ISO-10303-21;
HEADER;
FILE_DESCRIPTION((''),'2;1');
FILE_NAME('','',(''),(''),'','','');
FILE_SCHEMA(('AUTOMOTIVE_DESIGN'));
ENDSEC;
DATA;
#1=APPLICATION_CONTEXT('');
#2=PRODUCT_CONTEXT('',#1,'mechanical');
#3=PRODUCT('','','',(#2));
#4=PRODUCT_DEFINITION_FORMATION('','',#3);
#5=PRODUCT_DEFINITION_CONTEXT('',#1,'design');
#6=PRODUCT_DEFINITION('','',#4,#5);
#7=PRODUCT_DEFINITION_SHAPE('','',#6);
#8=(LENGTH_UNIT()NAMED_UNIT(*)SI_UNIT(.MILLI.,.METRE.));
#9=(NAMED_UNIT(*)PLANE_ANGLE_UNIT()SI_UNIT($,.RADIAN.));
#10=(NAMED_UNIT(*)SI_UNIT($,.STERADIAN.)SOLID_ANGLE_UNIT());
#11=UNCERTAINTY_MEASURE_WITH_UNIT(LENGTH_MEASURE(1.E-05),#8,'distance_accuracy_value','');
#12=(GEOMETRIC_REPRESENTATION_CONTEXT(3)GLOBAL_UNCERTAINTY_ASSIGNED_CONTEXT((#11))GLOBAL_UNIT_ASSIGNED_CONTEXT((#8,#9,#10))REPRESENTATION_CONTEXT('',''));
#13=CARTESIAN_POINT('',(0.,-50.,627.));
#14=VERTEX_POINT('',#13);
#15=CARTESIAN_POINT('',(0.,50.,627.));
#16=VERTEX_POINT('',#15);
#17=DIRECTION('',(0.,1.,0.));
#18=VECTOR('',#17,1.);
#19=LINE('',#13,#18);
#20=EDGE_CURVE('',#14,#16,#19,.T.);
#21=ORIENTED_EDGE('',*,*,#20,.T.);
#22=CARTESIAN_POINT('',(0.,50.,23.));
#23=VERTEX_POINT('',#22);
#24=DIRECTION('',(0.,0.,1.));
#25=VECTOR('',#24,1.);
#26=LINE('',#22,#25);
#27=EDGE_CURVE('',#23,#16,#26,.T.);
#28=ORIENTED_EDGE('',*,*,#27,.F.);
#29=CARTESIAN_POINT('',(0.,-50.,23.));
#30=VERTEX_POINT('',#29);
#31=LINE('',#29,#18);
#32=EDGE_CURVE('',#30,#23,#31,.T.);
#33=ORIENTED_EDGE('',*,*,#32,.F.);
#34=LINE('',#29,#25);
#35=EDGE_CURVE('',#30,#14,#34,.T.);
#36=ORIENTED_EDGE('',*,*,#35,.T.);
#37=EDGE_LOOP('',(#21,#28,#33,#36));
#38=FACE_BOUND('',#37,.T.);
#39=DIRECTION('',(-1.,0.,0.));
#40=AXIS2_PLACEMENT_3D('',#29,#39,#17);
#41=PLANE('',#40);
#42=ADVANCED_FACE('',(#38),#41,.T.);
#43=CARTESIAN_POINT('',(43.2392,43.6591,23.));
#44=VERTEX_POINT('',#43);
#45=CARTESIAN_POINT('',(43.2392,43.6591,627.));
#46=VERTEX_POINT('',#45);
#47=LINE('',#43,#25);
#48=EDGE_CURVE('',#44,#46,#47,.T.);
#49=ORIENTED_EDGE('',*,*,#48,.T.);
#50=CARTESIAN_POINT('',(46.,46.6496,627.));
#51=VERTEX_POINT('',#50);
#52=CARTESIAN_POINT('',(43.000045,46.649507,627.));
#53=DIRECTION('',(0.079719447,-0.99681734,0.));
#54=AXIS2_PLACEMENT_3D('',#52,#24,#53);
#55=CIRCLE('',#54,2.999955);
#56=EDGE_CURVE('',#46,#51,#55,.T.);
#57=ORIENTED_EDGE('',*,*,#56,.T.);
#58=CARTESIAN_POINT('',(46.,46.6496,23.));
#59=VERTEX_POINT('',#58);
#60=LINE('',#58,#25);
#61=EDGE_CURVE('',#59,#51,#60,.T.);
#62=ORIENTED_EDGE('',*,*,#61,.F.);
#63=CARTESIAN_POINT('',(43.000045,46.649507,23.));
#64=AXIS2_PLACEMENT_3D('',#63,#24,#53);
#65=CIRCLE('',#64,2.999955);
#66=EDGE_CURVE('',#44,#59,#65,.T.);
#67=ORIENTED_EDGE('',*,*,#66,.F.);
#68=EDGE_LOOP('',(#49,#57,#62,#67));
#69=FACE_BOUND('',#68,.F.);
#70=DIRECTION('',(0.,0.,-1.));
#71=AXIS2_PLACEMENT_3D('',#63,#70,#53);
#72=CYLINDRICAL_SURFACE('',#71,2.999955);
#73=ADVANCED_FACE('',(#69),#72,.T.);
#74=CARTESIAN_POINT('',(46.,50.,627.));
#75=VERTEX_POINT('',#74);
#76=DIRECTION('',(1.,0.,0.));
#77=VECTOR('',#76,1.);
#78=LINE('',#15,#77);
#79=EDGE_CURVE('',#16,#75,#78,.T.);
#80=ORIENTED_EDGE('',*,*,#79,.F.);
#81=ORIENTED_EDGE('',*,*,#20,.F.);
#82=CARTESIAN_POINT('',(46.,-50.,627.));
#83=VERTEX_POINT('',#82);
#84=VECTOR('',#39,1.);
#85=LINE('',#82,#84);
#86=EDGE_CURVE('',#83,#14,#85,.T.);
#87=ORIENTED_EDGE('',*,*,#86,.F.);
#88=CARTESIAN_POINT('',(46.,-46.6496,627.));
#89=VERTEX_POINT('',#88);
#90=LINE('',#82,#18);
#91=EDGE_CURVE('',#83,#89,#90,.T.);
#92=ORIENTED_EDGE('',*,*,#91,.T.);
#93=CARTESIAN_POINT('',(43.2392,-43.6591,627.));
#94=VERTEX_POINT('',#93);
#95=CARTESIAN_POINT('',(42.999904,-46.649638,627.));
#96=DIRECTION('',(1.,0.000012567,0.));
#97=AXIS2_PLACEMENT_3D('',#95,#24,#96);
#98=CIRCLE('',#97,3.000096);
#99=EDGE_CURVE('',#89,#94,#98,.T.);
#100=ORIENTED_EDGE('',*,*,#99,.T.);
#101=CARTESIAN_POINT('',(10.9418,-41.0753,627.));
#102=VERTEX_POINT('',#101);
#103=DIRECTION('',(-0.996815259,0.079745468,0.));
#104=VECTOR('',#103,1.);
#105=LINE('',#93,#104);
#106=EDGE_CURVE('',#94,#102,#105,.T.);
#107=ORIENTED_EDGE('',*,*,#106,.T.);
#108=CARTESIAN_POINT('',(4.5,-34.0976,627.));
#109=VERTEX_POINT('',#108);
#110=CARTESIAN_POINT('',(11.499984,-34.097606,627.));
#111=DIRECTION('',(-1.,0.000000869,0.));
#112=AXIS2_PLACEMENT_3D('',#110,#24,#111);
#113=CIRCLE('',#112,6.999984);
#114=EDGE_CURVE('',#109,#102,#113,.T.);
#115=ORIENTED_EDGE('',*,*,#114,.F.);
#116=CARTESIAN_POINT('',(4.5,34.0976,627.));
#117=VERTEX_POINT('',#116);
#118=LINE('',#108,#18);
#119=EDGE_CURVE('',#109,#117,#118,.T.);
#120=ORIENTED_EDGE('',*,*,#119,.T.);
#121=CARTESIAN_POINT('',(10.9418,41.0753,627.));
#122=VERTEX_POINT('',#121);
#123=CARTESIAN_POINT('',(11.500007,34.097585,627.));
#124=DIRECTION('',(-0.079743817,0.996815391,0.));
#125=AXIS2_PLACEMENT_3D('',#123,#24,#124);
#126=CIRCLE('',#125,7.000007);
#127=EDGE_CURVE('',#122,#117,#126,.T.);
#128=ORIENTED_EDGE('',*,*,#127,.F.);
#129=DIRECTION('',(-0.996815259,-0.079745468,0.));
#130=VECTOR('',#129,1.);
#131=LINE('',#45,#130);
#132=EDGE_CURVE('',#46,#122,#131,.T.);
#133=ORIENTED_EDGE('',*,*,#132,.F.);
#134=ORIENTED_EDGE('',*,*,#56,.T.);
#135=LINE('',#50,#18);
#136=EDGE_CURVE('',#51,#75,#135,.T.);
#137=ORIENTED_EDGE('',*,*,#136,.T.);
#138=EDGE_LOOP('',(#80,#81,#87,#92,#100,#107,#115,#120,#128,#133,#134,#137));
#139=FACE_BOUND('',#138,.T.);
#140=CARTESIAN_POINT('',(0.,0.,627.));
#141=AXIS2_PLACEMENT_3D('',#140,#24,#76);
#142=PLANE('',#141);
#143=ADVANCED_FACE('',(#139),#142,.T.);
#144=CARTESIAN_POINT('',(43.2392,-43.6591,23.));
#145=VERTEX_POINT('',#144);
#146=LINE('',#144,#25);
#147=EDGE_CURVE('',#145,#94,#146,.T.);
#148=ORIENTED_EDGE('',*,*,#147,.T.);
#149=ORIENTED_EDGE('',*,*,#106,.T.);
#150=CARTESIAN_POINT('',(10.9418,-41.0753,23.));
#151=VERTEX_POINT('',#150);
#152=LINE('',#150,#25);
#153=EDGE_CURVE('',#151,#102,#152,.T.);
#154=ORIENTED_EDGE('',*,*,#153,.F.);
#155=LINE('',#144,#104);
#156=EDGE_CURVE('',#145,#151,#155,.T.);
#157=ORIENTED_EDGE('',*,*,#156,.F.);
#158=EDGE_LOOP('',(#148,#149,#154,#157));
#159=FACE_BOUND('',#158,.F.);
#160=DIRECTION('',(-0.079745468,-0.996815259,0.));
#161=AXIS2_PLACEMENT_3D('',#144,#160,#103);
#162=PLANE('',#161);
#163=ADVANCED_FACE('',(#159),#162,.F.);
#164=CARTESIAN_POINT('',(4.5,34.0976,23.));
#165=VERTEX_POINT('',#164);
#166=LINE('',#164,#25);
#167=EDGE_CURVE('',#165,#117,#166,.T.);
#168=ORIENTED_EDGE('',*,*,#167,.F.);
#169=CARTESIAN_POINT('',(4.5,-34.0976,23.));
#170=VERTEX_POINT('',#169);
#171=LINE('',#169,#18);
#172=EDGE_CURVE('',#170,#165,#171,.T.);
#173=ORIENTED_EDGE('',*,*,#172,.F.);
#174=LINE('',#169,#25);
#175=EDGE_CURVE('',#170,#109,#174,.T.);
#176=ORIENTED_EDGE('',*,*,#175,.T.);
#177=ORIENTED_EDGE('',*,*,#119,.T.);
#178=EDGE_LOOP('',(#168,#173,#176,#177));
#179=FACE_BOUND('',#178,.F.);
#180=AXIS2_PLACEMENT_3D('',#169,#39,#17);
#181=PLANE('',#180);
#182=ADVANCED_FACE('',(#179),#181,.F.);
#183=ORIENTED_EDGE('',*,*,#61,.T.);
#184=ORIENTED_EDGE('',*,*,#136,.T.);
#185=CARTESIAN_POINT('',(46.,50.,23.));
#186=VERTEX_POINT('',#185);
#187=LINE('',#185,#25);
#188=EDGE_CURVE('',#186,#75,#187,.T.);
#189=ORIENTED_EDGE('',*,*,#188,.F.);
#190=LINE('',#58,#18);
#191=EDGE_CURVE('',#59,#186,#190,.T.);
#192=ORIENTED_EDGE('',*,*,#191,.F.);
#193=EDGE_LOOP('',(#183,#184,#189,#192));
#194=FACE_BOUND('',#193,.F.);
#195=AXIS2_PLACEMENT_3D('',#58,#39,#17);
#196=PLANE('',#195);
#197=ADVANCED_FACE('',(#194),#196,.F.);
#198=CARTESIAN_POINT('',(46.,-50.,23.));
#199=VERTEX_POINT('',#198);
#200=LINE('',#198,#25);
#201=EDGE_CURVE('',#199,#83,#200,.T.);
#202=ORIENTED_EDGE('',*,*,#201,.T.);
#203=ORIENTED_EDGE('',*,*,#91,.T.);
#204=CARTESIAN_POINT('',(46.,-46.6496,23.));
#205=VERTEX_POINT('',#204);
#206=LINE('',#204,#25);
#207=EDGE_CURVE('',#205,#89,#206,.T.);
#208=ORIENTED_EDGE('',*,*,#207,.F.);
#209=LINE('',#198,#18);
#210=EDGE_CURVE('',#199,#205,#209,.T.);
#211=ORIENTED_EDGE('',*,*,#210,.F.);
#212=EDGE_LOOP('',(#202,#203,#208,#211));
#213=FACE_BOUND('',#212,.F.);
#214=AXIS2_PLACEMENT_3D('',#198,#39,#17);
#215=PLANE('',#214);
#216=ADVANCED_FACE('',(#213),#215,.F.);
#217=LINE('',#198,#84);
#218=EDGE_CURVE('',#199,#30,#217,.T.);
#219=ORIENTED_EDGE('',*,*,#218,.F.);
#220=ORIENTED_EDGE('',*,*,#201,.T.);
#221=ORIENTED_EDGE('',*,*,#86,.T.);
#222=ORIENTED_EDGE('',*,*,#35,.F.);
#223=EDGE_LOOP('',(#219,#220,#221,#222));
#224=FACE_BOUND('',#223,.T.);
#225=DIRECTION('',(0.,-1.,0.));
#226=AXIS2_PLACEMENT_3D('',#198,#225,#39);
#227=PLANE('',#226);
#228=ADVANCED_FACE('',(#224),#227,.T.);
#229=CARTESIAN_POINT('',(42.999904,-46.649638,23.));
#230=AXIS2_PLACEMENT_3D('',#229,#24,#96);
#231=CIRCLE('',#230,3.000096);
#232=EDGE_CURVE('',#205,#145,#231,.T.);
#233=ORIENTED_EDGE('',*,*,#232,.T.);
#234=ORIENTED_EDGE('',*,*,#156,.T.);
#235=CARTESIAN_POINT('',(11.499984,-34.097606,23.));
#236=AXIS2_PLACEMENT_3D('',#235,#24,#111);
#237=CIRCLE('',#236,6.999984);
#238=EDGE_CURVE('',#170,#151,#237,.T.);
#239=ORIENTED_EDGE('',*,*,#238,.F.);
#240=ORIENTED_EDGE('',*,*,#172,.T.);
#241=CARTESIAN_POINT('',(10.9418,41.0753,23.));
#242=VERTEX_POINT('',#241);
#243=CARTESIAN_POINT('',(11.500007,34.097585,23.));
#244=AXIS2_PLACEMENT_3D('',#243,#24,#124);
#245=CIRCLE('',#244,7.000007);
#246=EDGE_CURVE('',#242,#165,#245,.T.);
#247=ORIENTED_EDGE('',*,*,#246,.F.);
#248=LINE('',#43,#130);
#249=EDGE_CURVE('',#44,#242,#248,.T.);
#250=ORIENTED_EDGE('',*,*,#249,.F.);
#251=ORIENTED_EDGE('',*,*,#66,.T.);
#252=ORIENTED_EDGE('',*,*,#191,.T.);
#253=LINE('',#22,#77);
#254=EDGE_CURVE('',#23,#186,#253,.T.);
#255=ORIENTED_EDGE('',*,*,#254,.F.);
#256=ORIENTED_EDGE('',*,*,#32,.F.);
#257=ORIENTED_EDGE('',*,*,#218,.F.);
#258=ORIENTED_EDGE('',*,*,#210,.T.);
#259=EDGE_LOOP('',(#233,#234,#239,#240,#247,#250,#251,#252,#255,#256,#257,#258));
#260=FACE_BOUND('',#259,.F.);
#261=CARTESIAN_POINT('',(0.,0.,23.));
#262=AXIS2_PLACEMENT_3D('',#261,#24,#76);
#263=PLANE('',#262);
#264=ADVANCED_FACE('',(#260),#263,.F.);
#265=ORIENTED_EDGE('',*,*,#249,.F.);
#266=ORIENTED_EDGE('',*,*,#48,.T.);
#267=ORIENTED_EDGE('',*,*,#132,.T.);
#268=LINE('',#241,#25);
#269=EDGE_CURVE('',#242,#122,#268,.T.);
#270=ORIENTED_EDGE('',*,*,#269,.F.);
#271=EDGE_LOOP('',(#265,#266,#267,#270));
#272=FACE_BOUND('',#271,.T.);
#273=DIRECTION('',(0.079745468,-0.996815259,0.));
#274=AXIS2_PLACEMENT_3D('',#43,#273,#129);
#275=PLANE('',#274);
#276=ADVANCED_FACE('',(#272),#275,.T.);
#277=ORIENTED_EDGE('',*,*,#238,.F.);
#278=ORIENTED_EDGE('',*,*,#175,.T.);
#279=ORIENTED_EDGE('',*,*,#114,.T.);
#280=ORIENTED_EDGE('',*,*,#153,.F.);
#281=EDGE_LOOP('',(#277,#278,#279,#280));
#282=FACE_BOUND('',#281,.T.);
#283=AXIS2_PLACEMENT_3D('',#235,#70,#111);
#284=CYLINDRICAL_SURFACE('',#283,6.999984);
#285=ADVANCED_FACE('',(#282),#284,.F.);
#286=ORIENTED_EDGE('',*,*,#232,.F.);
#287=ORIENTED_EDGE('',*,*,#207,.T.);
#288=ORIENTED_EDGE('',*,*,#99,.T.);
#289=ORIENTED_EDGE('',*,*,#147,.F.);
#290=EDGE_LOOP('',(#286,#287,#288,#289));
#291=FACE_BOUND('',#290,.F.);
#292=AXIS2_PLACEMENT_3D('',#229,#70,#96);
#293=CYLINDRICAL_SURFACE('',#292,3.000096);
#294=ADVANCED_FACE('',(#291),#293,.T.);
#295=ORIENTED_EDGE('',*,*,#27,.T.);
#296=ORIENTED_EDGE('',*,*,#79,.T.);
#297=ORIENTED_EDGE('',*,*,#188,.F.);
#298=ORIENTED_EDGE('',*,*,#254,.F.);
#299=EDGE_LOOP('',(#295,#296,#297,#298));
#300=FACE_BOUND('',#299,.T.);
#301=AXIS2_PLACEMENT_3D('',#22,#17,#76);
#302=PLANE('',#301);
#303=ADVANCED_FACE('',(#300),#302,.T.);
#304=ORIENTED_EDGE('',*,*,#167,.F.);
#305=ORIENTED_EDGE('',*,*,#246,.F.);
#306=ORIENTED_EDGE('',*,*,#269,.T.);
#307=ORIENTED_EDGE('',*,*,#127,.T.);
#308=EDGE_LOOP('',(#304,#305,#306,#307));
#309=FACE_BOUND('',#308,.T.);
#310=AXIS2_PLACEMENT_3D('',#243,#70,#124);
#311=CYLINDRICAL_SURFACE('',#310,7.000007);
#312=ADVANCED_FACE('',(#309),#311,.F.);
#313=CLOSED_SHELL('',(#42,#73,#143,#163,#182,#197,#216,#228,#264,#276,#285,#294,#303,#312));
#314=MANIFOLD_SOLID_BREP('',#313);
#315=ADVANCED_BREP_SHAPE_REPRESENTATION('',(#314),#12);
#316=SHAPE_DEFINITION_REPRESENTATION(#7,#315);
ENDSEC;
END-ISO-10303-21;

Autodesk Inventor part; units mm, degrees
ref_plane "Начальная плоскость" through (0, 0, 23) normal (0, 0, 1) x (1, 0, 0)
ref_plane "Конечная плоскость" through (0, 0, 627) normal (0, 0, 1) x (1, 0, 0)
sketch "Эскиз" plane through (0, 0, 0) normal (0, 0, 1) x (1, 0, 0)
  line L0 (46, -50) -> (0, -50)
  line L1 (46, -50) -> (46, -46.6496)
  line L2 (43.2392, -43.6591) -> (10.9418, -41.0753)
  line L3 (4.5, -34.0976) -> (4.5, 34.0976)
  line L4 (43.2392, 43.6591) -> (10.9418, 41.0753)
  line L5 (46, 46.6496) -> (46, 50)
  line L6 (0, 50) -> (46, 50)
  line L7 (0, -50) -> (0, 50)
  arc A0 (4.5, -34.0976) -> (10.9418, -41.0753) centre (11.5, -34.0976) ccw
  arc A1 (10.9418, 41.0753) -> (4.5, 34.0976) centre (11.5, 34.0976) ccw
  arc A2 (46, -46.6496) -> (43.2392, -43.6591) centre (43, -46.6496) ccw
  arc A3 (43.2392, 43.6591) -> (46, 46.6496) centre (43, 46.6496) ccw
  line L8 (0, 70) -> (0, -70) construction
  line L9 (-9.3169, 0) -> (55.9016, 0) construction
  point P0 (46, -43.88)
  point P1 (4.5, -40.56)
  point P2 (4.5, 40.56)
  point P3 (46, 43.88)
  dimension "d3" = 46
  dimension "d5" = 4.5
  dimension "d7" = 100
  dimension "d9" = 9.44
  dimension "d11" = 9.44
  dimension "d13" = 6.12
  dimension "d15" = 6.12
  dimension "d22" = 7
  dimension "d23" = 3
  dimension "d24" = 50
  dimension "d25" = 0
extrude "Тело" add sketch "Эскиз" along normal up to surface (604 mm away) from surface at 23
sketch "Sketch3" plane through (0, 0, 0) normal (0, 0, 1) x (1, 0, 0)
  line L0 (0, 0) -> (10, 0)
ref_plane "Work Plane7" through (0, 0, 0) normal (0, -1, 0) x (1, 0, 0)
sketch "Sketch4" plane through (0, 0, 0) normal (0, -1, 0) x (1, 0, 0)
  line L0 (-2, 23) -> (12, 23)
  line L1 (-2, 627) -> (12, 627)
  dimension "d29" = 604
ref_plane "РабПлоскость8" through (-227, -50, 23) normal (0, 0, -1) x (-1, 0, 0)
split "Разделение1" plane through (-227, -50, 23) removes the side toward (0, 0, -1)
ref_plane "РабПлоскость9" through (23, -50, 627) normal (0, 0, 1) x (1, 0, 0)
split "Разделение2" plane through (23, -50, 627) removes the side toward (0, 0, 1)
equation "\"d3\" = b"
equation "\"d5\" = t1"
equation "\"d7\" = ParH"
equation "\"d9\" = msp_x1 + t2"
equation "\"d11\" = msp_x1 + t2"
equation "\"d13\" = -msp_x2 + t2"
equation "\"d15\" = -msp_x2 + t2"
equation "\"d22\" = R"
equation "\"d23\" = R1"
equation "\"d24\" = 0.5 * d7"
equation "\"d16\" = G_L"
equation "\"R1\" = 3"
equation "\"R\" = 7"
equation "\"t1\" = 4.5"
equation "\"t2\" = 7.6"
equation "\"ParH\" = 100"
equation "\"b\" = 46"
equation "\"msp_x1\" = 0.04 * b"
equation "\"msp_x2\" = -0.08 * t1 + 0.04 * b"
equation "\"G_L\" = d29"
equation "\"ex\" = 0"
equation "\"G_OFFSET_START\" = -23"
equation "\"G_OFFSET_END\" = -23"
equation "\"d26\" = -G_OFFSET_START"
equation "\"d27\" = G_OFFSET_END + B_L"
equation "\"B_L\" = 650"
properties part number "Швеллер 10U-604 ГОСТ 8240-97" material "Сталь, мягкая, сварочная"
